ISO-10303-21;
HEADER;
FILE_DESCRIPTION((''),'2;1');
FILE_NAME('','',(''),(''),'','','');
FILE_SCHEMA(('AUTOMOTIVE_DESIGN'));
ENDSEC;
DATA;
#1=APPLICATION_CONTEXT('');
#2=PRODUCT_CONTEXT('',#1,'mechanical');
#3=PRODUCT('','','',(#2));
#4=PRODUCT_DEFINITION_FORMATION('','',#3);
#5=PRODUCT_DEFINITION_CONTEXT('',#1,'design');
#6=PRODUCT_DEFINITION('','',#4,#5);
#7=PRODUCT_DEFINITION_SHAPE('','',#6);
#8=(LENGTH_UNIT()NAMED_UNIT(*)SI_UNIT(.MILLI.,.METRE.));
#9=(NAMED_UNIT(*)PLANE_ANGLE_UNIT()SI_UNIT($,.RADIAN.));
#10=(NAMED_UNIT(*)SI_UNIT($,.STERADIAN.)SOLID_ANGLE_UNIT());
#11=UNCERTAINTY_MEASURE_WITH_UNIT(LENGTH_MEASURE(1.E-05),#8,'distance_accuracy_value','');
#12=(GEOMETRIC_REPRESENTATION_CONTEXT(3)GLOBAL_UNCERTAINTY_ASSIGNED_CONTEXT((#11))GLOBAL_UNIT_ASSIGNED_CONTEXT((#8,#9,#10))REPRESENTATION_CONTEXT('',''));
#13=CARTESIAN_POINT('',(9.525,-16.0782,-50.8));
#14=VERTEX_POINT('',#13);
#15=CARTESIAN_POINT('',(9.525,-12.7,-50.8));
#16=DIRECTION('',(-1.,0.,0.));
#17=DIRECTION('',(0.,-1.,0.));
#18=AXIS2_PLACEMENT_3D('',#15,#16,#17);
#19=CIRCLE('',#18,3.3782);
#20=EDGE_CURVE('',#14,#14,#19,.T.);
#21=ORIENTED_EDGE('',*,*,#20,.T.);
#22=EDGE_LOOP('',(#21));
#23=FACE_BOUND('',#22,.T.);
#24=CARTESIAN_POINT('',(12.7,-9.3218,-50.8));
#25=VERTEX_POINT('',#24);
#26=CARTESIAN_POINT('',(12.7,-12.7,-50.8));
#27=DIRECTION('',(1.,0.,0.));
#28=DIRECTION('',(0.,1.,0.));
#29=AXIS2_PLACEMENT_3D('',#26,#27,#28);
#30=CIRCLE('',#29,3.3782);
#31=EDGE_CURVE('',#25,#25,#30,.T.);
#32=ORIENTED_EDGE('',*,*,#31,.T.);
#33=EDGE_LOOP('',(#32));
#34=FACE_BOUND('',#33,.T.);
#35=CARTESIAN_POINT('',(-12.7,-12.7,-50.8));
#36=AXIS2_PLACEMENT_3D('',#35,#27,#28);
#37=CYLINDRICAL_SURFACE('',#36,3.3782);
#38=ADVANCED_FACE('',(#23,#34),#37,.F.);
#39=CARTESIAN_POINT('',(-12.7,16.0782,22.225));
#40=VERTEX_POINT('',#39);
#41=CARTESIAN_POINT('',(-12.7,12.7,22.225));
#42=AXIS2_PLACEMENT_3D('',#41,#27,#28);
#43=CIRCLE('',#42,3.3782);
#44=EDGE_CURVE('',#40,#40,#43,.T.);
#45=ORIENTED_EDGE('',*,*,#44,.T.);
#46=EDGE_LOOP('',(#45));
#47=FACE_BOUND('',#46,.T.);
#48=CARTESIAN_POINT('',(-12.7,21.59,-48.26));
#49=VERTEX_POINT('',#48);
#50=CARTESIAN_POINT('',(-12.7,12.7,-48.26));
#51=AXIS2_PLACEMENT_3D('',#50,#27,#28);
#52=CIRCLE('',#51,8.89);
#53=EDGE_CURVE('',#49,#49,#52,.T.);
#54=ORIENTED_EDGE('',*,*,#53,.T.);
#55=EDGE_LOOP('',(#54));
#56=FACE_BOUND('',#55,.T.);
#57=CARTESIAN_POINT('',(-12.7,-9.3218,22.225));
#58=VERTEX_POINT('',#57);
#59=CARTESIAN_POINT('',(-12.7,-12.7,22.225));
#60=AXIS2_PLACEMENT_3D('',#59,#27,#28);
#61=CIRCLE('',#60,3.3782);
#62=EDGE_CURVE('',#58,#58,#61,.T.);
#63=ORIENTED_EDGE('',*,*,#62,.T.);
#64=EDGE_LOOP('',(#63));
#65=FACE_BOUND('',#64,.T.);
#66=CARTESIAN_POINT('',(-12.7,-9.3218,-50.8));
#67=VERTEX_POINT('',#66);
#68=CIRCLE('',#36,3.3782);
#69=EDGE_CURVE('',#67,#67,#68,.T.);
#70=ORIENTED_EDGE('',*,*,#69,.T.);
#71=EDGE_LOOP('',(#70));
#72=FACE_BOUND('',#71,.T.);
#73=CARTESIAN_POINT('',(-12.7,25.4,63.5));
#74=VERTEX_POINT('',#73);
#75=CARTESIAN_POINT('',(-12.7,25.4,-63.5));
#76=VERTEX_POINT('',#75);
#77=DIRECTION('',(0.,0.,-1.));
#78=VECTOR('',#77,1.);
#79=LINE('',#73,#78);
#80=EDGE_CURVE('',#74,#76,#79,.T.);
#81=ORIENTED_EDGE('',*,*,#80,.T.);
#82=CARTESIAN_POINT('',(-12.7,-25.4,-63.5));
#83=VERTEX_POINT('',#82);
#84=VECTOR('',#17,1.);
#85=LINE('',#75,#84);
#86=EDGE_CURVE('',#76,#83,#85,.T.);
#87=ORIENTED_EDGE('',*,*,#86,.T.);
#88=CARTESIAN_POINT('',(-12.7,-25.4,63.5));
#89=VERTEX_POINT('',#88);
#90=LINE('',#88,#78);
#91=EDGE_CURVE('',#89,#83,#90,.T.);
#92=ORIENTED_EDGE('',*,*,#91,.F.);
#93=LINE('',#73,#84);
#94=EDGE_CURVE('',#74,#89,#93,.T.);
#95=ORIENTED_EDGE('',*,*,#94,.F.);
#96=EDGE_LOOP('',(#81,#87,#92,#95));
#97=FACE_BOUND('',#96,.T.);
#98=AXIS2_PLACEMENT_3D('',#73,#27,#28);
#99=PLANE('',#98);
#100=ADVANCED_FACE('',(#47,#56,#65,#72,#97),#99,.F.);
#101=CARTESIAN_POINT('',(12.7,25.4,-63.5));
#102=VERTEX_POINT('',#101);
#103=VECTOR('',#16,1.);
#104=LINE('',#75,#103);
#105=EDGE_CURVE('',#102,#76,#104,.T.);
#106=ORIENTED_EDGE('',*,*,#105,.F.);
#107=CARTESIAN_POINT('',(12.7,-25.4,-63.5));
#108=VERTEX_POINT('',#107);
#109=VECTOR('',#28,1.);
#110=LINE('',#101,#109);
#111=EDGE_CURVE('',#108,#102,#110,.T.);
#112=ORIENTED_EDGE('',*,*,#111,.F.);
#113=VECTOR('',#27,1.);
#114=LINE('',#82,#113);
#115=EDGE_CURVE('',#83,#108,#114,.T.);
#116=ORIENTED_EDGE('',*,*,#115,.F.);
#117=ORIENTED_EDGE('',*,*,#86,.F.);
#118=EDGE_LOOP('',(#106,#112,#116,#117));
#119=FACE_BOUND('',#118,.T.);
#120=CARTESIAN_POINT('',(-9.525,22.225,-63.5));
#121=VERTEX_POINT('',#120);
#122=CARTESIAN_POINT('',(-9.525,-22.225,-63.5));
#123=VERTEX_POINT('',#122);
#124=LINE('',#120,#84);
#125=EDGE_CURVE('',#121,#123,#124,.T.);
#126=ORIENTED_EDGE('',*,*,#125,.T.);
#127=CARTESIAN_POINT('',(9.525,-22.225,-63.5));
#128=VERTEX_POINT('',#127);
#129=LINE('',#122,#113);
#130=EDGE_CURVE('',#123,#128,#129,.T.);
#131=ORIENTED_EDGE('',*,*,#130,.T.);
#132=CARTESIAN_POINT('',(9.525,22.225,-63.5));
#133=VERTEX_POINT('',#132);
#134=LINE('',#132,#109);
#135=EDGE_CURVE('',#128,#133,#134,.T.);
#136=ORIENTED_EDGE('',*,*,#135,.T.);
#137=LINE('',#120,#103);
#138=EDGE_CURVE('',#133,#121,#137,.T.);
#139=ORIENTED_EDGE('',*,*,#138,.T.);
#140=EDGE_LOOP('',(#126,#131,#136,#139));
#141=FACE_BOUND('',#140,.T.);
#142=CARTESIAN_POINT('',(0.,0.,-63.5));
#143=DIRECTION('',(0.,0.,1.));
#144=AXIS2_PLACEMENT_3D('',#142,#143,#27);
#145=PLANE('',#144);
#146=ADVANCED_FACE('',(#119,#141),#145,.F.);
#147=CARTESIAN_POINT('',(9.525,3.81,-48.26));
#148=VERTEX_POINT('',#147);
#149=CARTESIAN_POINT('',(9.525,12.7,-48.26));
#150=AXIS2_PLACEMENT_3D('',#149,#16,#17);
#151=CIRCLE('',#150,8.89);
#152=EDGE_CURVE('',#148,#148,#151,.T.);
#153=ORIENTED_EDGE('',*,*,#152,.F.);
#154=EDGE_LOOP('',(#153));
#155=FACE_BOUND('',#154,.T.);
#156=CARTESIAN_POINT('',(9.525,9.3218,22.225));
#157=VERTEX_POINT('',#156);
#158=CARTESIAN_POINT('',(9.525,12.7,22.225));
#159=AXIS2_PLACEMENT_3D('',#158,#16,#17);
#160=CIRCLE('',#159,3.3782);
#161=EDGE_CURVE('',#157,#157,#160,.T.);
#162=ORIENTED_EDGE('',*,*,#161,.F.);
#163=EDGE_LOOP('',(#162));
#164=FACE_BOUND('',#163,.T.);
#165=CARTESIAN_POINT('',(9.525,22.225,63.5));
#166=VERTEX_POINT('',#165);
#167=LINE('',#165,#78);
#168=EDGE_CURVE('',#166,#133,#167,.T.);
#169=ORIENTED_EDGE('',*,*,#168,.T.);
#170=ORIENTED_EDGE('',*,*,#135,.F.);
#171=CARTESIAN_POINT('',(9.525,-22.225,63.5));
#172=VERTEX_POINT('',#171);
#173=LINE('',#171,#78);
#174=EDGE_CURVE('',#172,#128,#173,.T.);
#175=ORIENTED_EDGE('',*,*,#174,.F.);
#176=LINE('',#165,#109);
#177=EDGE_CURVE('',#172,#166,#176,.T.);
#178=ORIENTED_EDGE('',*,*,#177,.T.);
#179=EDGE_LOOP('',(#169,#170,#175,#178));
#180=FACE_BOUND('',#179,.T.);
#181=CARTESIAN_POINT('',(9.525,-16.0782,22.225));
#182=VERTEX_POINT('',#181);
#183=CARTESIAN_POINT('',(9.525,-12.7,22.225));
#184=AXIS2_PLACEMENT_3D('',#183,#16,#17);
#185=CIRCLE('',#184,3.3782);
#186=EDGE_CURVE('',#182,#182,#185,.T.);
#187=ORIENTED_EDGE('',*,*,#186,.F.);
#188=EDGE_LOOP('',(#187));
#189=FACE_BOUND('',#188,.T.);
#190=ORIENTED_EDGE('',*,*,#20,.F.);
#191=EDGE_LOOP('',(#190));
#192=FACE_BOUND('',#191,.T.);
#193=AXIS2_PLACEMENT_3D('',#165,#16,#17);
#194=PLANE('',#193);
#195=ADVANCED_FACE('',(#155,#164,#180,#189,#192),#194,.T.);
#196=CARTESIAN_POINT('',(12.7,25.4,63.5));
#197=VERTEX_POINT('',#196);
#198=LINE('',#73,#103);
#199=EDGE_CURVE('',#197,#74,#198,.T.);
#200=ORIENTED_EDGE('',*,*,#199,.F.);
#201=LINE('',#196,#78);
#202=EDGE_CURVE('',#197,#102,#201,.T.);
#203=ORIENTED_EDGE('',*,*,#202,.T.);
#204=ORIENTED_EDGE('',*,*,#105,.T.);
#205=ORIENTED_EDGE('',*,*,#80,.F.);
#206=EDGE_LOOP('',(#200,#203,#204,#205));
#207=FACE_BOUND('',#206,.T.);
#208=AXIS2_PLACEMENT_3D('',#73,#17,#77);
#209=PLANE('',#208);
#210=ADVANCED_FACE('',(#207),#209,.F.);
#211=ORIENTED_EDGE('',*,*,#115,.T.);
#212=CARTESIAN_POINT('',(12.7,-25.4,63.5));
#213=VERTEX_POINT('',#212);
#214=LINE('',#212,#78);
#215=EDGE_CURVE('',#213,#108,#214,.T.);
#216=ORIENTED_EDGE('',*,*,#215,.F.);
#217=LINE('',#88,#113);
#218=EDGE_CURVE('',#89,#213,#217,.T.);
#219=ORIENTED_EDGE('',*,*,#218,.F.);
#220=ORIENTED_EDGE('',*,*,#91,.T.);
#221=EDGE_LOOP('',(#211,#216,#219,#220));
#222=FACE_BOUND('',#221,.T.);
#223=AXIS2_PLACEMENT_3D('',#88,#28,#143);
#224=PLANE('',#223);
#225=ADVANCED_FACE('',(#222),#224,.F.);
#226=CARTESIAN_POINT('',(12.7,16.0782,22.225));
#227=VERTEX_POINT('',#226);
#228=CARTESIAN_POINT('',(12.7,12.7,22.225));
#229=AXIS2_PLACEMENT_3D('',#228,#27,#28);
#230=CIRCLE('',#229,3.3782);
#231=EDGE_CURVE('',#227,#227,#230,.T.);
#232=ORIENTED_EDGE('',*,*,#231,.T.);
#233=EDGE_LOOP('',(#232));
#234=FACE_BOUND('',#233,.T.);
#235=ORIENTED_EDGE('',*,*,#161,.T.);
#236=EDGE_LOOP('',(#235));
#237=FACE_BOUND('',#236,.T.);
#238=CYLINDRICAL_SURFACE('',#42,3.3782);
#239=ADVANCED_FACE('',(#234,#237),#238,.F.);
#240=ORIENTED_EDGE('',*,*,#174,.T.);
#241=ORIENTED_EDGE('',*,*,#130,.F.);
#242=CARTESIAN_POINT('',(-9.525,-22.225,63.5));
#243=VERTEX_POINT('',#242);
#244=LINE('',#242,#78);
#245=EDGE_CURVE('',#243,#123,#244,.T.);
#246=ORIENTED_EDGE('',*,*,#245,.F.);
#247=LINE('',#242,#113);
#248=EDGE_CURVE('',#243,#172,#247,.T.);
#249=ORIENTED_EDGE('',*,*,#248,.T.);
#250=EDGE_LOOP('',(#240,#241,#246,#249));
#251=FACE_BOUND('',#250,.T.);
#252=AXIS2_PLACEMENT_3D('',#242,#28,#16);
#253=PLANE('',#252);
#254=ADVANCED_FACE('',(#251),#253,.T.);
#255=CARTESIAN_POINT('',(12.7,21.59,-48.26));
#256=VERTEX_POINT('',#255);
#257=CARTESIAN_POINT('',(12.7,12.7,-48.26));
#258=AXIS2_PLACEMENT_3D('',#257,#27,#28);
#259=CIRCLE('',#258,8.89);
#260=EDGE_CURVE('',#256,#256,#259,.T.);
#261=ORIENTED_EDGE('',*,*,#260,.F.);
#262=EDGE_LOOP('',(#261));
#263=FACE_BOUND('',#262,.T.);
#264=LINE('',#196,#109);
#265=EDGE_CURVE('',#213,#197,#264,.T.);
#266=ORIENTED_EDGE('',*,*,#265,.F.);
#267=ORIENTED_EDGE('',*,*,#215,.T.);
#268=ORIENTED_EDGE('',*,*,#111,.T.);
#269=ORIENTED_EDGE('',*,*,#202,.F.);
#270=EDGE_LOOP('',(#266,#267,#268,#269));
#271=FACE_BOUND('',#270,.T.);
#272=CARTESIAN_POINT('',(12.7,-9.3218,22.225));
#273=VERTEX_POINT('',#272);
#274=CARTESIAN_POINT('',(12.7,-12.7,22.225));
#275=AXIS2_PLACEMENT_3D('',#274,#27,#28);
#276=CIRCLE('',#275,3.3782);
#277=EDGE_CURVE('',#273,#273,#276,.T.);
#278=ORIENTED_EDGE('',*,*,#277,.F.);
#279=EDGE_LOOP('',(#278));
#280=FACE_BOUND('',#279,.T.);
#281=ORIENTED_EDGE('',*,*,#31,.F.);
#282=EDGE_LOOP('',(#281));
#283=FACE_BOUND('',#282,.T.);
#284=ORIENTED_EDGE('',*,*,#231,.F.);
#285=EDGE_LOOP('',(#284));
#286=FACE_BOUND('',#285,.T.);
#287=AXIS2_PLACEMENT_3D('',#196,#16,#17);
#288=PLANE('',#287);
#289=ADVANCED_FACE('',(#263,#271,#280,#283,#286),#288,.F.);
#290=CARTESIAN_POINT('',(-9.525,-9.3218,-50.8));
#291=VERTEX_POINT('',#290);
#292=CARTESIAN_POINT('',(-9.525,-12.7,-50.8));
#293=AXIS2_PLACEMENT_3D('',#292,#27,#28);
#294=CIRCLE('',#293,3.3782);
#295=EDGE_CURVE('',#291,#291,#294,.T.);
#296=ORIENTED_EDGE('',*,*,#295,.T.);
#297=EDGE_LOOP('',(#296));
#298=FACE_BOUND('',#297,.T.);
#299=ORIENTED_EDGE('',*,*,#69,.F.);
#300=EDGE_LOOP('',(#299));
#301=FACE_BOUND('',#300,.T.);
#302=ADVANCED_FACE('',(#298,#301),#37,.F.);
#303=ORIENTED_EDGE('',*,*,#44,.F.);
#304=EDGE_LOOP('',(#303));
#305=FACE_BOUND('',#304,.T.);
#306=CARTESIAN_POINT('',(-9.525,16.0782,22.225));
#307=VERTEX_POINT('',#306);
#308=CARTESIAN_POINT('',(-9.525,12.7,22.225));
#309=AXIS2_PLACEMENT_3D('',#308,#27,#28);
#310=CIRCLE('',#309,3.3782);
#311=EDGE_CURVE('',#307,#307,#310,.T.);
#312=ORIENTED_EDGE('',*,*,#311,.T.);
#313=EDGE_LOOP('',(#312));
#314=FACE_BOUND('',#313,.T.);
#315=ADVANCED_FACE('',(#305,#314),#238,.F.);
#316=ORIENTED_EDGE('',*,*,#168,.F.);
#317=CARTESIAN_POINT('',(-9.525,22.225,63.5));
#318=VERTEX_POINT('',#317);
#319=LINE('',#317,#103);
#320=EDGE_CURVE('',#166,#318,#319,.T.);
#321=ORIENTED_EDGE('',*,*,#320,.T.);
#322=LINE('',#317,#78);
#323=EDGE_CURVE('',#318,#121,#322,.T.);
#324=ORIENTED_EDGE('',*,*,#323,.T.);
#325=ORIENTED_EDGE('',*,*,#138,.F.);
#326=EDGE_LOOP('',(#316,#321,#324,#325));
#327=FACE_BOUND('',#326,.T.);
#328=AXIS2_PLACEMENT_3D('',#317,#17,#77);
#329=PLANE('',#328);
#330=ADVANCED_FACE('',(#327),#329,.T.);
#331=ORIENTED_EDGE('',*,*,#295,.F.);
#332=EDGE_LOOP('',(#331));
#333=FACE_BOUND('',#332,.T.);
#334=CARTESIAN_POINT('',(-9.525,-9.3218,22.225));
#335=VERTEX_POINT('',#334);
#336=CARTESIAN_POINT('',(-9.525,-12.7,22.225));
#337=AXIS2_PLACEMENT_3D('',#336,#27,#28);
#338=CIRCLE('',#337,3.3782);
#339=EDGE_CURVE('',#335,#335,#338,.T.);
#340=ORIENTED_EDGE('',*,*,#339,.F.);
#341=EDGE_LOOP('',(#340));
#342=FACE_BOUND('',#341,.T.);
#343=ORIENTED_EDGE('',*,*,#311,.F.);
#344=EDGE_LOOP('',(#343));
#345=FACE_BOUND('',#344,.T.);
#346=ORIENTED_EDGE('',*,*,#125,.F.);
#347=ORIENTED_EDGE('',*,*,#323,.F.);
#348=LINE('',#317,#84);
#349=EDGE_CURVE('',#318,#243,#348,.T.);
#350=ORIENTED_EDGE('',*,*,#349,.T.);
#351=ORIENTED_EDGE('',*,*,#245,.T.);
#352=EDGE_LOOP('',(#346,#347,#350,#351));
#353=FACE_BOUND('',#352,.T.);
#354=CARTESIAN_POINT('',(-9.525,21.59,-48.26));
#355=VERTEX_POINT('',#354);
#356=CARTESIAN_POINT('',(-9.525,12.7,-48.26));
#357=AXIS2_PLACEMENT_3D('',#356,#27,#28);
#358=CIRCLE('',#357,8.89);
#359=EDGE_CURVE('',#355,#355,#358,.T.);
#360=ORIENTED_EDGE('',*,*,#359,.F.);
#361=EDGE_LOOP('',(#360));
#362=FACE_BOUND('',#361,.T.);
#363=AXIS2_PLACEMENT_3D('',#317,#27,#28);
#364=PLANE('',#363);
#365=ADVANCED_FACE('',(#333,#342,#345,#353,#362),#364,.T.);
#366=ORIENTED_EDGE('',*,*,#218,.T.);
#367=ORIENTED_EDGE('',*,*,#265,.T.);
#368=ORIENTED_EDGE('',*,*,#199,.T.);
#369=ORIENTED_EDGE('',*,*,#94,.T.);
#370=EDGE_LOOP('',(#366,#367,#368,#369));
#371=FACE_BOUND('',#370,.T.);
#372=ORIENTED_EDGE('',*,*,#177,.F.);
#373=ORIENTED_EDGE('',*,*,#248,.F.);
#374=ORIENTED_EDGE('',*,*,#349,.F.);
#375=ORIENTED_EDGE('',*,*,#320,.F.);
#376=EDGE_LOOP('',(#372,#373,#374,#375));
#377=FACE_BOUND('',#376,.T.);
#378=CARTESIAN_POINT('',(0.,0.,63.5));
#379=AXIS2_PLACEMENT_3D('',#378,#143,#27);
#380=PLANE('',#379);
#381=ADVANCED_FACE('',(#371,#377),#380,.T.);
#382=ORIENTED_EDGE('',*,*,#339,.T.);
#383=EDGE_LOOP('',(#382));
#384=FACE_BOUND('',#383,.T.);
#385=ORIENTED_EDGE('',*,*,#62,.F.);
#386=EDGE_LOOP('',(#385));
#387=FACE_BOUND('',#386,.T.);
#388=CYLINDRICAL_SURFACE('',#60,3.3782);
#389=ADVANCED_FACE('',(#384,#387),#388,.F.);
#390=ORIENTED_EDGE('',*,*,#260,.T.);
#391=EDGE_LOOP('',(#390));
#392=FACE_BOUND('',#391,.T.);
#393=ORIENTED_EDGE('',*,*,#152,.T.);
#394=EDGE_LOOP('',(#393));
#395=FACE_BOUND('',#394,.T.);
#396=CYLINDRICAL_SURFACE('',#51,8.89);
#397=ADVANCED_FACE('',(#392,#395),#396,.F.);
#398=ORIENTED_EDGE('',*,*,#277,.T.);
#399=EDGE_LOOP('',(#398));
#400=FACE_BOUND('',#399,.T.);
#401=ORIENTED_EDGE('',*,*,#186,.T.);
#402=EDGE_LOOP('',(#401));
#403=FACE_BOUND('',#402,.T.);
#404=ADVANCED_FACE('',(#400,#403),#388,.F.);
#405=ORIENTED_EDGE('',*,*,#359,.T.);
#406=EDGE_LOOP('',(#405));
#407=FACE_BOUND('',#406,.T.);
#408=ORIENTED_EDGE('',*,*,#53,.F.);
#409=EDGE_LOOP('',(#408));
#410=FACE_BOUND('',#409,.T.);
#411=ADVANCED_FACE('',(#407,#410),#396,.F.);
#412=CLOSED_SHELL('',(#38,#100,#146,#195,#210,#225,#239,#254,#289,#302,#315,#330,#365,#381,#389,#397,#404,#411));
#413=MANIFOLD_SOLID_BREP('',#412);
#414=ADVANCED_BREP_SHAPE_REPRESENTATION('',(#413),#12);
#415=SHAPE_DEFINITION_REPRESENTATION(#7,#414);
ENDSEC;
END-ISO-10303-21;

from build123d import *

# Parameters (mm, degrees)
SKETCH1_W           = 25.4
SKETCH1_H           = 50.8
SKETCH1_W_2         = 19.05
SKETCH1_H_2         = 44.45
BOSS_EXTRUDE1_DEPTH = 63.5
SKETCH2_R           = 3.3782
CUT_EXTRUDE3_DEPTH  = 73.955945611
SKETCH3_R           = 8.89
CUT_EXTRUDE4_DEPTH  = 73.955945611


with BuildPart() as part:
    # Sketch1 → Boss-Extrude1 (new, symmetric)
    with BuildSketch(Plane.XY):
        Rectangle(SKETCH1_W, SKETCH1_H)
        Rectangle(SKETCH1_W_2, SKETCH1_H_2, mode=Mode.SUBTRACT)
    extrude(amount=BOSS_EXTRUDE1_DEPTH, both=True)

    # Sketch2 → Cut-Extrude3 (cut, through all)
    with BuildSketch(Plane(origin=(12.7, 0, 0), x_dir=(0, 0, -1), z_dir=(1, 0, 0))):
        with Locations(Location((-22.225, 12.7, 0), (0, 0, 90))):
            Circle(SKETCH2_R)
        with Locations(Location((-22.225, -12.7, 0), (0, 0, 90))):
            Circle(SKETCH2_R)
        with Locations(Location((50.8, -12.7, 0), (0, 0, 90))):
            Circle(SKETCH2_R)
    extrude(amount=-CUT_EXTRUDE3_DEPTH, mode=Mode.SUBTRACT)

    # Sketch3 → Cut-Extrude4 (cut, through all)
    with BuildSketch(Plane(origin=(12.7, 0, 0), x_dir=(0, 0, -1), z_dir=(1, 0, 0))):
        with Locations(Location((48.26, 12.7, 0), (0, 0, 90))):
            Circle(SKETCH3_R)
    extrude(amount=-CUT_EXTRUDE4_DEPTH, mode=Mode.SUBTRACT)


solid = part.part
